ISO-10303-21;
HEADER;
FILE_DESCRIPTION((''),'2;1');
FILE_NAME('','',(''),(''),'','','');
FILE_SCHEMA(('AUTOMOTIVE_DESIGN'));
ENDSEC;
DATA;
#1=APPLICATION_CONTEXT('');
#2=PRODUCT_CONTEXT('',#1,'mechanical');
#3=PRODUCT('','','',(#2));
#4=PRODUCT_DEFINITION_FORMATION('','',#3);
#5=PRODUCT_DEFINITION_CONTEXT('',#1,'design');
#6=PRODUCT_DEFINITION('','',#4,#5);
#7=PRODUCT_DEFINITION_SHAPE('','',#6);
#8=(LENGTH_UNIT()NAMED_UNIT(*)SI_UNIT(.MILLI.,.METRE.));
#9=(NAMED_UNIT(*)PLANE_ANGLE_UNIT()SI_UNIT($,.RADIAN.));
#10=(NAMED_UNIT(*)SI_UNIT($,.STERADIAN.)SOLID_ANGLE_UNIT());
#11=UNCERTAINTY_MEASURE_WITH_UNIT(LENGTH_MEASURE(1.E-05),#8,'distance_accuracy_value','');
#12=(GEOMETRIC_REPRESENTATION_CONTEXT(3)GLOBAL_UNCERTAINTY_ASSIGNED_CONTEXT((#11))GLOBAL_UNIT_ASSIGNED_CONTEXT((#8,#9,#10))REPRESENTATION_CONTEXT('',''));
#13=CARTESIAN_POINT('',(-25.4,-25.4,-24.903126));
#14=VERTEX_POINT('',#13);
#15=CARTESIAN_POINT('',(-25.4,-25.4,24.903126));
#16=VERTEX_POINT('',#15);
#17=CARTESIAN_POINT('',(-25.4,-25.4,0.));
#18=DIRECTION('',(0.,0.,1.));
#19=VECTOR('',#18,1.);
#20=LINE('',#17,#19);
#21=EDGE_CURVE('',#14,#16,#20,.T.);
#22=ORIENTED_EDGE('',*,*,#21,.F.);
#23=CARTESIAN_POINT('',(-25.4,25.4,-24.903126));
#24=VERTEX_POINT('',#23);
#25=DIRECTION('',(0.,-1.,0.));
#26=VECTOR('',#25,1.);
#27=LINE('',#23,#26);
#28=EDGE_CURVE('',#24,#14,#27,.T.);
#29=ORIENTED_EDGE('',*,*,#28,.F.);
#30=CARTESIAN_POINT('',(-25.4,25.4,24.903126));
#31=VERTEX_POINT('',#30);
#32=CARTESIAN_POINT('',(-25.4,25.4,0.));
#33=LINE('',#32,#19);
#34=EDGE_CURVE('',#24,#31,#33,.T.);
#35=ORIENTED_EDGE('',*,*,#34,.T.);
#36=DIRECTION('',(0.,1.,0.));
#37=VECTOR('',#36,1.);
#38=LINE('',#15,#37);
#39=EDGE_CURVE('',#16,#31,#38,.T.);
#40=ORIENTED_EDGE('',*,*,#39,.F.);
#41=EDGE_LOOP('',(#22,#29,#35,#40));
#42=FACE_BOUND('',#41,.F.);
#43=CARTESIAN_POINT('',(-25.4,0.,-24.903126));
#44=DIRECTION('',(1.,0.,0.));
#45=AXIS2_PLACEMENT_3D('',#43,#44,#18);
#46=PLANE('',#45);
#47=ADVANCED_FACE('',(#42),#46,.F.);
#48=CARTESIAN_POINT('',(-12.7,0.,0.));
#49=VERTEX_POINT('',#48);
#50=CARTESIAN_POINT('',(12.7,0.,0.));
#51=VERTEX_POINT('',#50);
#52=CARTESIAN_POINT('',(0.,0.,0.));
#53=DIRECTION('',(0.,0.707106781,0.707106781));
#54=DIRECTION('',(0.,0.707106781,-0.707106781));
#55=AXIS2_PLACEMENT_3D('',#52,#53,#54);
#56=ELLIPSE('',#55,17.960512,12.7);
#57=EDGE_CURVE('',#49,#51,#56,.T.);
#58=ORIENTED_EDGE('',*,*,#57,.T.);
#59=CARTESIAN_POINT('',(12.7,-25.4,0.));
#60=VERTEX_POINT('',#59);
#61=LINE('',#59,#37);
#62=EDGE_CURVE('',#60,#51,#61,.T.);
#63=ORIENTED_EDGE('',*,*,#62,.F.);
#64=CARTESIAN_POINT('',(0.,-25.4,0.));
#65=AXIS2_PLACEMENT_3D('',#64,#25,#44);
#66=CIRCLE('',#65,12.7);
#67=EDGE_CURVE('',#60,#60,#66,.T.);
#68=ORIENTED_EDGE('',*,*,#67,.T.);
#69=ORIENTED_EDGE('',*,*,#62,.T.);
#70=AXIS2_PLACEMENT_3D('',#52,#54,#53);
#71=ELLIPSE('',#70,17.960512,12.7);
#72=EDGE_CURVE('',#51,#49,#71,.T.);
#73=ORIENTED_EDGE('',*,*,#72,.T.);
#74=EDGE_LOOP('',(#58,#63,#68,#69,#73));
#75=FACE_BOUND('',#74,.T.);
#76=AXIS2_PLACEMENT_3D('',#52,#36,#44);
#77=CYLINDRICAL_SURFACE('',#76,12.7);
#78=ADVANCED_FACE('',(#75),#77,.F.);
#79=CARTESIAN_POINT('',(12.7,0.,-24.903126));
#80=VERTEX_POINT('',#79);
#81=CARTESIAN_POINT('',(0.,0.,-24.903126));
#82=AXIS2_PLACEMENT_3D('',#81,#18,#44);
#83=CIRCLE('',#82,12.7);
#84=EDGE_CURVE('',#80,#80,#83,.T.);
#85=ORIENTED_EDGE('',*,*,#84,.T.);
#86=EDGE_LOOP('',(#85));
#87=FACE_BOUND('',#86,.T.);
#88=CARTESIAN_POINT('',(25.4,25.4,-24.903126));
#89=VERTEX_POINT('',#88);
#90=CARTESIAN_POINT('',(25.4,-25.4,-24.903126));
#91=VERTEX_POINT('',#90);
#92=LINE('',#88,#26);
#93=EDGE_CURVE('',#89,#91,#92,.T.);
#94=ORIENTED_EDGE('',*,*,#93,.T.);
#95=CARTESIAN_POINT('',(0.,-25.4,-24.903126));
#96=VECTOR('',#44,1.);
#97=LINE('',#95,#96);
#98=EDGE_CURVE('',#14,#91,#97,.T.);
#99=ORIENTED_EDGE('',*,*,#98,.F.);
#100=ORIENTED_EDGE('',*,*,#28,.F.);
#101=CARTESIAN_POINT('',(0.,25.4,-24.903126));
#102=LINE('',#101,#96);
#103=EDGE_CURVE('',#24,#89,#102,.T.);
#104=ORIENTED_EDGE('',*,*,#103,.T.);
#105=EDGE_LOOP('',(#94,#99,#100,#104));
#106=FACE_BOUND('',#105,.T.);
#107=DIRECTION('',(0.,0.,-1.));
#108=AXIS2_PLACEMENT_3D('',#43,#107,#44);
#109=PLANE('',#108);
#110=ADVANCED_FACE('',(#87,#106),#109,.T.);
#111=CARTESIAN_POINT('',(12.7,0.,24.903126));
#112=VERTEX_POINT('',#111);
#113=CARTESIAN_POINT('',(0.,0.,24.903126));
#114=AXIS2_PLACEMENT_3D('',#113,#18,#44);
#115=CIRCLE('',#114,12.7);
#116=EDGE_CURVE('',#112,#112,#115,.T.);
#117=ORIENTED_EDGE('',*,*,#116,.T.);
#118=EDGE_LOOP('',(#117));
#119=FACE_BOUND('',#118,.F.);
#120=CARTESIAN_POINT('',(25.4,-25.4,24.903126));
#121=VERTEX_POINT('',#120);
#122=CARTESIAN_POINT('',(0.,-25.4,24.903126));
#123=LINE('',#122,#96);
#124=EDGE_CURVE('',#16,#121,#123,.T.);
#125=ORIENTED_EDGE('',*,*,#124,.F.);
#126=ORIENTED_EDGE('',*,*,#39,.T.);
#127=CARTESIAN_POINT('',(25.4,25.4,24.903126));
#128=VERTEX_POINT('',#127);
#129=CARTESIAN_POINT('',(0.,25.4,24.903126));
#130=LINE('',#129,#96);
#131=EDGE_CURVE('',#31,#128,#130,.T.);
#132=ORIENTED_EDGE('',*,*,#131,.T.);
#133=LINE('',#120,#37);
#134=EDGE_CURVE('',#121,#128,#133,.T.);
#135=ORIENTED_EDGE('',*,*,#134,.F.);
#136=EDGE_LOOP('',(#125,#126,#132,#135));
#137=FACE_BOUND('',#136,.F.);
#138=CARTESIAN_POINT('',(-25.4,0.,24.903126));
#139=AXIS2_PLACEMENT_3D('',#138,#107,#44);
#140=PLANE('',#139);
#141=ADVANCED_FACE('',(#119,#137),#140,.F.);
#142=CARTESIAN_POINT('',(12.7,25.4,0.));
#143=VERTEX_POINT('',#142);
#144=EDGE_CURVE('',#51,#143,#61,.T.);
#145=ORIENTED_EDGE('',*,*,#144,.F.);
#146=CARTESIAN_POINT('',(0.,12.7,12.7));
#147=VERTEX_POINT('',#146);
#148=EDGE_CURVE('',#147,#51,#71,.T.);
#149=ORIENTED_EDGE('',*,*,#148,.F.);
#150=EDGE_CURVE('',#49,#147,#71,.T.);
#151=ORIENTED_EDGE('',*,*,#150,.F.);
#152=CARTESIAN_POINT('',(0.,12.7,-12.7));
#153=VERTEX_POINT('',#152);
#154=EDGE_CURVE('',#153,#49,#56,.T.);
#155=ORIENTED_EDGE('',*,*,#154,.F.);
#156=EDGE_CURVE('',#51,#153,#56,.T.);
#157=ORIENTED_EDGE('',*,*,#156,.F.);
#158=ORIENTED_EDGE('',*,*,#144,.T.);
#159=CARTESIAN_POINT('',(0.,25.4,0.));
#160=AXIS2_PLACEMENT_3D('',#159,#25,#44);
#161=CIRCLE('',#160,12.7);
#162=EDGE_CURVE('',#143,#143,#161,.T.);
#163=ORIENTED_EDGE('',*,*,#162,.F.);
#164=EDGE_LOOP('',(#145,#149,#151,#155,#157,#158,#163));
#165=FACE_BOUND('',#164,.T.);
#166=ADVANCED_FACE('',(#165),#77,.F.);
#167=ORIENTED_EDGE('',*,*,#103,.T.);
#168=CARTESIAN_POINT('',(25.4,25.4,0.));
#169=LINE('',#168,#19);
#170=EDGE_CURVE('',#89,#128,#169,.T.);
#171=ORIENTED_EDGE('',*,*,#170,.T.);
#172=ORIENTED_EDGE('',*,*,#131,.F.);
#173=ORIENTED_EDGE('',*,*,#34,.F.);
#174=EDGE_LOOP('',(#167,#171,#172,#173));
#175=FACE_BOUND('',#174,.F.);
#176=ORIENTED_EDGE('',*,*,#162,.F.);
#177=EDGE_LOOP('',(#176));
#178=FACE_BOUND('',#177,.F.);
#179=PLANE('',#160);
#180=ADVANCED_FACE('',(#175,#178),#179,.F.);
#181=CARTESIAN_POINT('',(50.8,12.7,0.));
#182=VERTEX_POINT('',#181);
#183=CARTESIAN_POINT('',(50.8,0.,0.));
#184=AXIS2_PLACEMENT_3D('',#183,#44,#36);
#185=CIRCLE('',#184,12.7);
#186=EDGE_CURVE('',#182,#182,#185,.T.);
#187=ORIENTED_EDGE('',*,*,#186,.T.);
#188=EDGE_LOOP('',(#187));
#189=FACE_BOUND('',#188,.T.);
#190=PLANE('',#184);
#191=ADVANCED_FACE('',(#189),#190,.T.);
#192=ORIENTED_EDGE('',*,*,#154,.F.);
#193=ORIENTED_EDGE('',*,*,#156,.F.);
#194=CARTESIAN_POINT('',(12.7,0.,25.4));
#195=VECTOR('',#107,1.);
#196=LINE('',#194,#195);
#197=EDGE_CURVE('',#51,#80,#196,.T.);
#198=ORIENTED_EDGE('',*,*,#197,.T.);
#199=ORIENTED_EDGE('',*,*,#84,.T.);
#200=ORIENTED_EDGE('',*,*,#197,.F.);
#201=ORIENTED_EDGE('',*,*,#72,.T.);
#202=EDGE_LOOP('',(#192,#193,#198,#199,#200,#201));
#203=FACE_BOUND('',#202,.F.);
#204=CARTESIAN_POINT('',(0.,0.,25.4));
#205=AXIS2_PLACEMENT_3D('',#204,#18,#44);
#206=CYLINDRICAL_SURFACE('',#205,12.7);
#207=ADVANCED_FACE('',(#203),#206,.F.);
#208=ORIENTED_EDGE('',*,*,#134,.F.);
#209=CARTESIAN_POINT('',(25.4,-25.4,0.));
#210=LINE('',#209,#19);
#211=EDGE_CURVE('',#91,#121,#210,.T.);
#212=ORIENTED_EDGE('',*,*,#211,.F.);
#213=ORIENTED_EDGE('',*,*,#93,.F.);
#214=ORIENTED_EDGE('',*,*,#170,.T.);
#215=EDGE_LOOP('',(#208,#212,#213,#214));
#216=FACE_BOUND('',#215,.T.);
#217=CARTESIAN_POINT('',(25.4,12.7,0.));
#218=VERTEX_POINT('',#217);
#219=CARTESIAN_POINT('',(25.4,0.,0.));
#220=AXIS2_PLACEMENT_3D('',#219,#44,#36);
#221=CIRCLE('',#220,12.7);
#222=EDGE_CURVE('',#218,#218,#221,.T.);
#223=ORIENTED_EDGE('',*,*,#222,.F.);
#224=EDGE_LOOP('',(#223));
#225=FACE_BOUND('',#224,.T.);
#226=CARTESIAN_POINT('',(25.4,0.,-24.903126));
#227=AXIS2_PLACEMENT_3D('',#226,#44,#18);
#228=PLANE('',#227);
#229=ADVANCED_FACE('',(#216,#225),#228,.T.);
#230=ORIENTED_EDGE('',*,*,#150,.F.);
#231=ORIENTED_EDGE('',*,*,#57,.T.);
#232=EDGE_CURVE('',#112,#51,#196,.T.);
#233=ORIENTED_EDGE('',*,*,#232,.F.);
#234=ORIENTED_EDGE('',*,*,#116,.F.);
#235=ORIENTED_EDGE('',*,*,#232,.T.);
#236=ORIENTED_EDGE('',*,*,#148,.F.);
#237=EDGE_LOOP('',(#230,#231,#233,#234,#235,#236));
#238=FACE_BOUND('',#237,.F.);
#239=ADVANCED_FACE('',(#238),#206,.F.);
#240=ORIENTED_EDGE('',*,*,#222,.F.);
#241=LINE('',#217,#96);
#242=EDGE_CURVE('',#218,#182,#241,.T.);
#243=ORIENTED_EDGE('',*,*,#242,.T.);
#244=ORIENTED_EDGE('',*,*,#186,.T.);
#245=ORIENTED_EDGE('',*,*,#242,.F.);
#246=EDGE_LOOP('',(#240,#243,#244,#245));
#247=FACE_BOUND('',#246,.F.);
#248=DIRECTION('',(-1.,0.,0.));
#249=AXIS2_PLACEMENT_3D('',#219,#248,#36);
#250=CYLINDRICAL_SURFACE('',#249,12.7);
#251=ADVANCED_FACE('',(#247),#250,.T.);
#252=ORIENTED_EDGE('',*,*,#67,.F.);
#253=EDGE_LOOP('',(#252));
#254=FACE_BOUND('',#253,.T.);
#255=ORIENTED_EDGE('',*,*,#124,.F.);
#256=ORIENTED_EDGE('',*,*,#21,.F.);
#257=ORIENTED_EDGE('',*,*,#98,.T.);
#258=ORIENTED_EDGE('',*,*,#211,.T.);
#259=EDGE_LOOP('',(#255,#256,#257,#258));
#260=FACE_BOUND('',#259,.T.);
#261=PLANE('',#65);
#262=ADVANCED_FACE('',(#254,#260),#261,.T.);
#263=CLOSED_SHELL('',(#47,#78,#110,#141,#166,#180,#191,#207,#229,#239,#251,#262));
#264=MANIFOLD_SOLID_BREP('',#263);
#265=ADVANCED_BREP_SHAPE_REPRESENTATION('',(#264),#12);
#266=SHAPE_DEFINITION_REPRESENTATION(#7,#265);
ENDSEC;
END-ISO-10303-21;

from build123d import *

# Parameters (mm, degrees)
F0_W     = 50.8
F0_H     = 49.806252
F0_R     = 12.7
F1_DEPTH = 25.4
F3_R     = 12.7
F4_DEPTH = 50.8
F6_R     = 12.7
F7_DEPTH = 25.4


with BuildPart() as f1:
    # F0 (on Front) → F1 (new body, symmetric)
    with BuildSketch(Plane.XZ):
        Rectangle(F0_W, F0_H)
        Circle(F0_R, mode=Mode.SUBTRACT)
    extrude(amount=F1_DEPTH, both=True)

    # F3 (on offset) → F4 (cut)
    with BuildSketch(Plane.XY.offset(25.4)):
        Circle(F3_R)
    extrude(amount=-F4_DEPTH, mode=Mode.SUBTRACT)

    # F6 (on offset) → F7 (join)
    with BuildSketch(Plane.YZ.offset(25.4)):
        Circle(F6_R)
    extrude(amount=F7_DEPTH)


solid = f1.part
